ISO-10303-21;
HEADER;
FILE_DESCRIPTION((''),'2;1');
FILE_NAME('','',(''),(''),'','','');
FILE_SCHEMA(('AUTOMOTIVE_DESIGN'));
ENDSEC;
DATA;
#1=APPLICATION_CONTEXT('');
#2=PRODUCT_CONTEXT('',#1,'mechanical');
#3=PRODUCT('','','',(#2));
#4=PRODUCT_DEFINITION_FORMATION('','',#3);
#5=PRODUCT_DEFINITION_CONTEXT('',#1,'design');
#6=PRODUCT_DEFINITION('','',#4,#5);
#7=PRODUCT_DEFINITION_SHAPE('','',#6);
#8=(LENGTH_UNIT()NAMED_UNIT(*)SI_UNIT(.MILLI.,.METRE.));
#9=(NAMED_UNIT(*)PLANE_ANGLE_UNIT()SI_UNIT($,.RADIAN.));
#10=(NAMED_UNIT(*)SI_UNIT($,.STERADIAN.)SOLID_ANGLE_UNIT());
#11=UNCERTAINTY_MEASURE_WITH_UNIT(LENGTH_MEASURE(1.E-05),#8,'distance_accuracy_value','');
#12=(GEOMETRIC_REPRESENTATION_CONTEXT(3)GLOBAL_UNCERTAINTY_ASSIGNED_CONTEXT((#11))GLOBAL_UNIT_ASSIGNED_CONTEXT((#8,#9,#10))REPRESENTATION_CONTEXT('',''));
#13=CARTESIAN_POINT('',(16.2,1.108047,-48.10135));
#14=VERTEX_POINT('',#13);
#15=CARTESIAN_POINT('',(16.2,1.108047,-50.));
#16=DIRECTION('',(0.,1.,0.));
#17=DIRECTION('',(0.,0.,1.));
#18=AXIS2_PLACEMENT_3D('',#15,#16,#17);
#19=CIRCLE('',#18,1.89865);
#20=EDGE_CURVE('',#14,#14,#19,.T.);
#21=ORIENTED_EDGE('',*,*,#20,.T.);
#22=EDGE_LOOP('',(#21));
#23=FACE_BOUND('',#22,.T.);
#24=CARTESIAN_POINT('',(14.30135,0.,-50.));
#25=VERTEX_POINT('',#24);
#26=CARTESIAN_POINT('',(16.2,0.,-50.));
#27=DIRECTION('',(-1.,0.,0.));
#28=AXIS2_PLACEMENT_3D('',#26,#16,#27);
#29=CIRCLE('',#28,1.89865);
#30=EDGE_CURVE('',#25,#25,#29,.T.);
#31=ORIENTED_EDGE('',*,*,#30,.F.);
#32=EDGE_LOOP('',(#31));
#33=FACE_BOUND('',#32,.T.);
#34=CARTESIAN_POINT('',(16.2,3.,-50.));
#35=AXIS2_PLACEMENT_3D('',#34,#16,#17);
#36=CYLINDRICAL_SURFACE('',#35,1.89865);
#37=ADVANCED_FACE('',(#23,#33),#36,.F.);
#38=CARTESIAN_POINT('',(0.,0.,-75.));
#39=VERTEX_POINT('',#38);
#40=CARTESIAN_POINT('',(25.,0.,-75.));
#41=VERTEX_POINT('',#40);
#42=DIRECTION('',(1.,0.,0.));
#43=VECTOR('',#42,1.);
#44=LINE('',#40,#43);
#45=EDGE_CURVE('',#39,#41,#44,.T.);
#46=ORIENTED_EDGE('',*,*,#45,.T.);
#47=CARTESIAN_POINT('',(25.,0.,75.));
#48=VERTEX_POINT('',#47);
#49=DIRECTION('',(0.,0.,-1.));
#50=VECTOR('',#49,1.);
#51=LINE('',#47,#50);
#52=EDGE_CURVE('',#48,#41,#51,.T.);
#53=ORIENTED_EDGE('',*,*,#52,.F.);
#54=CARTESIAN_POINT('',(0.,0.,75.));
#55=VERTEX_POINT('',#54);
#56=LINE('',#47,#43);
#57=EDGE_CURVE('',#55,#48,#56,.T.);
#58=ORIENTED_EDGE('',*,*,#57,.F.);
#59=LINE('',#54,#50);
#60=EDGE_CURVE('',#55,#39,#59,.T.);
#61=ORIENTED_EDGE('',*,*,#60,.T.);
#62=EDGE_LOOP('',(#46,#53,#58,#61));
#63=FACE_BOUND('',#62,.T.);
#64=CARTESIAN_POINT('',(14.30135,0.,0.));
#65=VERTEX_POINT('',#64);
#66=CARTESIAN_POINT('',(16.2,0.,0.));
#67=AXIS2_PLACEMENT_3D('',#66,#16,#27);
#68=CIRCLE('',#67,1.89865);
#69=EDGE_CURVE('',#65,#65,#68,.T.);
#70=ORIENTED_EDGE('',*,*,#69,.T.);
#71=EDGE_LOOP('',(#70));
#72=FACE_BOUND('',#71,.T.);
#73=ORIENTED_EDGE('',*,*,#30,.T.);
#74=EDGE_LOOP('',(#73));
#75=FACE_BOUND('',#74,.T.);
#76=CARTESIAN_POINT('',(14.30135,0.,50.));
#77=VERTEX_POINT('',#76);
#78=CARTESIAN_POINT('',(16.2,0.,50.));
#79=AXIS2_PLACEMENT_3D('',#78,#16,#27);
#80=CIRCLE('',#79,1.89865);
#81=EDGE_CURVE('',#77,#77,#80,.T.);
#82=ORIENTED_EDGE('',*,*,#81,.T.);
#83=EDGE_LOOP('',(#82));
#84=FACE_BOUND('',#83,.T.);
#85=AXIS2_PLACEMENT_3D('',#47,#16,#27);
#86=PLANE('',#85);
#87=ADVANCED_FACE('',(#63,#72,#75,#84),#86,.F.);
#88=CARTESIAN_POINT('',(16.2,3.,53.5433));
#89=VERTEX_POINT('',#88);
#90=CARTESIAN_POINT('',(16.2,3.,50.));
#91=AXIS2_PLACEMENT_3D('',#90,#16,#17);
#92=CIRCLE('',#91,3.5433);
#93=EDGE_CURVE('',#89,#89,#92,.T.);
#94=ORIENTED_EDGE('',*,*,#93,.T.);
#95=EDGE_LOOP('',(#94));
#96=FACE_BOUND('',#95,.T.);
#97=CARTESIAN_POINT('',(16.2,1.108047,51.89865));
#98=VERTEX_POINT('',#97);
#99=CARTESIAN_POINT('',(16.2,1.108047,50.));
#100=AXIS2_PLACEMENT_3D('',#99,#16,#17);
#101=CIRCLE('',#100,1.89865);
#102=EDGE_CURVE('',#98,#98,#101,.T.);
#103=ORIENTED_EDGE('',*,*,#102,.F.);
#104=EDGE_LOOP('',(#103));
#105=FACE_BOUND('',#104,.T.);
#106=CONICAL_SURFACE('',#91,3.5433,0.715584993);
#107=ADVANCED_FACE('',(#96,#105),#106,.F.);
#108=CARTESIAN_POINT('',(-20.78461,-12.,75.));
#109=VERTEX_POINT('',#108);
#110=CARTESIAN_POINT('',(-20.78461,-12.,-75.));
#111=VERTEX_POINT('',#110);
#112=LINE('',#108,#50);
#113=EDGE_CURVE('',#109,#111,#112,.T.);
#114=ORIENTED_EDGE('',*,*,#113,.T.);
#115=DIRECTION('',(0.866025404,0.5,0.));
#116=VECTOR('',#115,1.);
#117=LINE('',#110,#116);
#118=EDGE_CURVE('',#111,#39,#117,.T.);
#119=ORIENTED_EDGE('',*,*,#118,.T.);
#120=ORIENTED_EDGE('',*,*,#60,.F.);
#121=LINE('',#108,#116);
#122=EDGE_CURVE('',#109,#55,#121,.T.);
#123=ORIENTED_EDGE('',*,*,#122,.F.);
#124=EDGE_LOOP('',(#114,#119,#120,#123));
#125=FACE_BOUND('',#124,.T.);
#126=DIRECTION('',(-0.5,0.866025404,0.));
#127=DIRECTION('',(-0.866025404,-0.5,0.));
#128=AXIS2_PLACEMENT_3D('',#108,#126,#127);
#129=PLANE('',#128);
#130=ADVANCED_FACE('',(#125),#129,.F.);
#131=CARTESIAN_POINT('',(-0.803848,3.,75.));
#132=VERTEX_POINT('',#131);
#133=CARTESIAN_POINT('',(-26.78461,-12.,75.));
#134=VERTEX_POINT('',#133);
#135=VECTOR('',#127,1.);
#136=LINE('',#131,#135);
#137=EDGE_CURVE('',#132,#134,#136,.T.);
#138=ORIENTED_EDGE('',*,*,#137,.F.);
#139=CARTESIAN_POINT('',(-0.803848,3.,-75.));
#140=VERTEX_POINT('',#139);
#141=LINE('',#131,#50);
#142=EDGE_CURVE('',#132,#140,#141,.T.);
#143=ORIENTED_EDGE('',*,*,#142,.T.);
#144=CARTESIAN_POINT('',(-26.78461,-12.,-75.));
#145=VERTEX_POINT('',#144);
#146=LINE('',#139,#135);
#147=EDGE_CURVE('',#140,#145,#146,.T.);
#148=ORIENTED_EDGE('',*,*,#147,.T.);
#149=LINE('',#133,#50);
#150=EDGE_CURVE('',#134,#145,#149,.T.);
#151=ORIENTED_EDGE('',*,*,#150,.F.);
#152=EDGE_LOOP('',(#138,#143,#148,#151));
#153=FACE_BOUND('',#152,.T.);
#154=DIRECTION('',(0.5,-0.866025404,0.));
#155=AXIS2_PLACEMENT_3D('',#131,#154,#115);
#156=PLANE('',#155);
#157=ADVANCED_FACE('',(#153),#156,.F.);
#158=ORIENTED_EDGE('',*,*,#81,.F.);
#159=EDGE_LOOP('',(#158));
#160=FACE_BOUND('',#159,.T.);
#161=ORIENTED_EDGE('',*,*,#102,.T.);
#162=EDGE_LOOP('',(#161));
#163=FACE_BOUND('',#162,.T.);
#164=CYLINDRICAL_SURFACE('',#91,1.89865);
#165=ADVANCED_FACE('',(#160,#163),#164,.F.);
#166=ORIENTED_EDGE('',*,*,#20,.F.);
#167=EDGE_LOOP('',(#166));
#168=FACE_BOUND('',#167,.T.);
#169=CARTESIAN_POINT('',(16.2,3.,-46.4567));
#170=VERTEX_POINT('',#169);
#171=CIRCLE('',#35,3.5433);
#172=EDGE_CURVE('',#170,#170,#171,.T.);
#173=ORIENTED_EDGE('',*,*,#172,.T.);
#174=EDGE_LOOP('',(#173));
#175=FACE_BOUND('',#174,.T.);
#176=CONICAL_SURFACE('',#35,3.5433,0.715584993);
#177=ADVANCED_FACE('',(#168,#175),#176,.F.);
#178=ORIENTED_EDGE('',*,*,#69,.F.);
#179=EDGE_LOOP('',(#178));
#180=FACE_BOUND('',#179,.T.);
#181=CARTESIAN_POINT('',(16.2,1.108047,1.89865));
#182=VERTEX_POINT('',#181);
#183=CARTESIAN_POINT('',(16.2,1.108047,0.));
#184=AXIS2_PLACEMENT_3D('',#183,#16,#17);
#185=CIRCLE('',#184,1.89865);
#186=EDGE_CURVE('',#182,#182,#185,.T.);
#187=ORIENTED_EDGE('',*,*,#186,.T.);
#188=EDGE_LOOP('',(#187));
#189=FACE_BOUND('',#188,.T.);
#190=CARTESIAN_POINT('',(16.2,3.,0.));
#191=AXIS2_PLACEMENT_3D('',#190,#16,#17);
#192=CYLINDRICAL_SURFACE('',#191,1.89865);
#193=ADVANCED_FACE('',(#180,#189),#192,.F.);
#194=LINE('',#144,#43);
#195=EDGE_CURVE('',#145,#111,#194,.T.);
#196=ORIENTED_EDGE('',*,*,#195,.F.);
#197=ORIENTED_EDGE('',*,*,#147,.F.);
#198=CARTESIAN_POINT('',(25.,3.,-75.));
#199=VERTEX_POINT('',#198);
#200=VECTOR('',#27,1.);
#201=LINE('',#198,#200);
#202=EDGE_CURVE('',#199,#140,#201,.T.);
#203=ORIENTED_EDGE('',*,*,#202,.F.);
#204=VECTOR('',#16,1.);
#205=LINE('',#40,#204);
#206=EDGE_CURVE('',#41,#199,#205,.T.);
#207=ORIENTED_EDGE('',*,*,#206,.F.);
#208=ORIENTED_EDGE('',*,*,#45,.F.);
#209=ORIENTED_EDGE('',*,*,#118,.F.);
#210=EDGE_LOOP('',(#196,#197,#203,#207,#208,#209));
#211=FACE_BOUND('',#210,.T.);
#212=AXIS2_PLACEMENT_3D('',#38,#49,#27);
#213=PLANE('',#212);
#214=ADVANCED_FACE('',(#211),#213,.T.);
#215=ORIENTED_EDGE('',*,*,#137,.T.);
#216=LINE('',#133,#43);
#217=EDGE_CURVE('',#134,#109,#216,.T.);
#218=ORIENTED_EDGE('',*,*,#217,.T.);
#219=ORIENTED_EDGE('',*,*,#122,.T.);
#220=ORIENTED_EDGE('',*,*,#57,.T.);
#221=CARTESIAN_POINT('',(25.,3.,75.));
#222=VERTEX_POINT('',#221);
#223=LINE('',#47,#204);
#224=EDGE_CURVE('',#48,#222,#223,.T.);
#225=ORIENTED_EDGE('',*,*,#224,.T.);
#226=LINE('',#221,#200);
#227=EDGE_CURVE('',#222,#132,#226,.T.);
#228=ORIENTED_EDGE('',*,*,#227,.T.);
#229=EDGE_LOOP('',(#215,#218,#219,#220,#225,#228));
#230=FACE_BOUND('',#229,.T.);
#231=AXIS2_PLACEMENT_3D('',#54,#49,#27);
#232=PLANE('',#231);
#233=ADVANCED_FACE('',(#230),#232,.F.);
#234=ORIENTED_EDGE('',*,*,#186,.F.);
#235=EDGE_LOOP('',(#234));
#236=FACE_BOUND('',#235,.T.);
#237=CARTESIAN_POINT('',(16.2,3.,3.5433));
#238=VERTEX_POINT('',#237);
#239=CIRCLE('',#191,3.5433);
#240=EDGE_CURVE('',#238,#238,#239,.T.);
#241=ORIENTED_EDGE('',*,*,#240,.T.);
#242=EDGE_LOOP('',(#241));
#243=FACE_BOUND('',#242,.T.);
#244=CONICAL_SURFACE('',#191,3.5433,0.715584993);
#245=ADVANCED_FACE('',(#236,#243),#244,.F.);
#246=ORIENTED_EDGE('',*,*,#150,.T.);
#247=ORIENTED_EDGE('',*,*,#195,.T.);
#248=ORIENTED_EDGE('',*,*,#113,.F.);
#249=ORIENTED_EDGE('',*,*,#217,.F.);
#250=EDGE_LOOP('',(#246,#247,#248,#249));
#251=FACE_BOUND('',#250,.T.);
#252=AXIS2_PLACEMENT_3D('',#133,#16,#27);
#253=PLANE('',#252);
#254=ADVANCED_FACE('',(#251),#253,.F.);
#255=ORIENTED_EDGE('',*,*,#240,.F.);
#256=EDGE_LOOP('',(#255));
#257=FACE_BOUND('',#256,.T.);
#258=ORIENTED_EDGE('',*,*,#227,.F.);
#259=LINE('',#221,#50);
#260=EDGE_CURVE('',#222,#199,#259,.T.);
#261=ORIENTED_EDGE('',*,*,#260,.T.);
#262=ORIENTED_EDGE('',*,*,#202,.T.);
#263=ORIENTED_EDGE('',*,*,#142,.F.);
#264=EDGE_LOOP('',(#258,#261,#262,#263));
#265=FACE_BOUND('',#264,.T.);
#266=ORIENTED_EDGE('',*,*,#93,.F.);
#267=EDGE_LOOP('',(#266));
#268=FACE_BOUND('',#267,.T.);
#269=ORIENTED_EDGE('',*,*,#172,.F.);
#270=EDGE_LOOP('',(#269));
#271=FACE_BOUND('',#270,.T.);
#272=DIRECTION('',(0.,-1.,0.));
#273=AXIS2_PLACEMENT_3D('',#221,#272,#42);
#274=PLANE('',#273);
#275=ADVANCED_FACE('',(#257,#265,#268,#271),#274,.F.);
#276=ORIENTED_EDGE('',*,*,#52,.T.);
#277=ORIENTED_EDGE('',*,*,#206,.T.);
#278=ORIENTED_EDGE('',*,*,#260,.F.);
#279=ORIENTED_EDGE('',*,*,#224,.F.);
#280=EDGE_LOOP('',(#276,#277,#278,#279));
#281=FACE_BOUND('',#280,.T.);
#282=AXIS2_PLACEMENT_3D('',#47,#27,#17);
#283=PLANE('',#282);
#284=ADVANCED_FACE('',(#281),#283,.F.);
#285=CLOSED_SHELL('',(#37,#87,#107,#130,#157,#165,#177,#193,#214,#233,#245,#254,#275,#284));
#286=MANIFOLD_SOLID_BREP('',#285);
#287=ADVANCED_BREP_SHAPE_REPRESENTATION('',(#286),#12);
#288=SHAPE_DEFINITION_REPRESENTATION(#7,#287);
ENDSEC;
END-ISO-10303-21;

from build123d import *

# Parameters (mm, degrees)
SALIENTE_EXTRUIR1_DEPTH                              = 75
AVELLANADO_PARA_TORNILLO_CON_CABEZA_OVAL_D           = 3.7973
AVELLANADO_PARA_TORNILLO_CON_CABEZA_OVAL_DEPTH       = 20
AVELLANADO_PARA_TORNILLO_CON_CABEZA_OVAL_CSINK_D     = 7.0866
AVELLANADO_PARA_TORNILLO_CON_CABEZA_OVAL_CSINK_ANGLE = 82
AVELLANADO_PARA_TORNILLO_CON_CABEZA_OVAL_TIP         = 1.140824014


with BuildPart() as part:
    # Croquis1 → Saliente-Extruir1 (new body, symmetric)
    with BuildSketch(Plane.XY):
        Polygon((25, 0), (25, 3), (-0.803847577, 3), (-26.784609691, -12), (-20.784609691, -12), (0, 0), align=None)
    extrude(amount=SALIENTE_EXTRUIR1_DEPTH, both=True)

    # Avellanado para tornillo con cabeza ovalada de #61
    with Locations(Plane(origin=(16.2, 3, -50), x_dir=(1, 0, 0), z_dir=(0, 1, 0))):
        with Locations((0, 0), (0, -50), (0, -100)):
            CounterSinkHole(AVELLANADO_PARA_TORNILLO_CON_CABEZA_OVAL_D / 2, AVELLANADO_PARA_TORNILLO_CON_CABEZA_OVAL_CSINK_D / 2, depth=AVELLANADO_PARA_TORNILLO_CON_CABEZA_OVAL_DEPTH, counter_sink_angle=AVELLANADO_PARA_TORNILLO_CON_CABEZA_OVAL_CSINK_ANGLE)
            with Locations((0, 0, -(AVELLANADO_PARA_TORNILLO_CON_CABEZA_OVAL_DEPTH + AVELLANADO_PARA_TORNILLO_CON_CABEZA_OVAL_TIP / 2))):  # 118° drill point
                Cone(0, AVELLANADO_PARA_TORNILLO_CON_CABEZA_OVAL_D / 2, AVELLANADO_PARA_TORNILLO_CON_CABEZA_OVAL_TIP, mode=Mode.SUBTRACT)


solid = part.part
